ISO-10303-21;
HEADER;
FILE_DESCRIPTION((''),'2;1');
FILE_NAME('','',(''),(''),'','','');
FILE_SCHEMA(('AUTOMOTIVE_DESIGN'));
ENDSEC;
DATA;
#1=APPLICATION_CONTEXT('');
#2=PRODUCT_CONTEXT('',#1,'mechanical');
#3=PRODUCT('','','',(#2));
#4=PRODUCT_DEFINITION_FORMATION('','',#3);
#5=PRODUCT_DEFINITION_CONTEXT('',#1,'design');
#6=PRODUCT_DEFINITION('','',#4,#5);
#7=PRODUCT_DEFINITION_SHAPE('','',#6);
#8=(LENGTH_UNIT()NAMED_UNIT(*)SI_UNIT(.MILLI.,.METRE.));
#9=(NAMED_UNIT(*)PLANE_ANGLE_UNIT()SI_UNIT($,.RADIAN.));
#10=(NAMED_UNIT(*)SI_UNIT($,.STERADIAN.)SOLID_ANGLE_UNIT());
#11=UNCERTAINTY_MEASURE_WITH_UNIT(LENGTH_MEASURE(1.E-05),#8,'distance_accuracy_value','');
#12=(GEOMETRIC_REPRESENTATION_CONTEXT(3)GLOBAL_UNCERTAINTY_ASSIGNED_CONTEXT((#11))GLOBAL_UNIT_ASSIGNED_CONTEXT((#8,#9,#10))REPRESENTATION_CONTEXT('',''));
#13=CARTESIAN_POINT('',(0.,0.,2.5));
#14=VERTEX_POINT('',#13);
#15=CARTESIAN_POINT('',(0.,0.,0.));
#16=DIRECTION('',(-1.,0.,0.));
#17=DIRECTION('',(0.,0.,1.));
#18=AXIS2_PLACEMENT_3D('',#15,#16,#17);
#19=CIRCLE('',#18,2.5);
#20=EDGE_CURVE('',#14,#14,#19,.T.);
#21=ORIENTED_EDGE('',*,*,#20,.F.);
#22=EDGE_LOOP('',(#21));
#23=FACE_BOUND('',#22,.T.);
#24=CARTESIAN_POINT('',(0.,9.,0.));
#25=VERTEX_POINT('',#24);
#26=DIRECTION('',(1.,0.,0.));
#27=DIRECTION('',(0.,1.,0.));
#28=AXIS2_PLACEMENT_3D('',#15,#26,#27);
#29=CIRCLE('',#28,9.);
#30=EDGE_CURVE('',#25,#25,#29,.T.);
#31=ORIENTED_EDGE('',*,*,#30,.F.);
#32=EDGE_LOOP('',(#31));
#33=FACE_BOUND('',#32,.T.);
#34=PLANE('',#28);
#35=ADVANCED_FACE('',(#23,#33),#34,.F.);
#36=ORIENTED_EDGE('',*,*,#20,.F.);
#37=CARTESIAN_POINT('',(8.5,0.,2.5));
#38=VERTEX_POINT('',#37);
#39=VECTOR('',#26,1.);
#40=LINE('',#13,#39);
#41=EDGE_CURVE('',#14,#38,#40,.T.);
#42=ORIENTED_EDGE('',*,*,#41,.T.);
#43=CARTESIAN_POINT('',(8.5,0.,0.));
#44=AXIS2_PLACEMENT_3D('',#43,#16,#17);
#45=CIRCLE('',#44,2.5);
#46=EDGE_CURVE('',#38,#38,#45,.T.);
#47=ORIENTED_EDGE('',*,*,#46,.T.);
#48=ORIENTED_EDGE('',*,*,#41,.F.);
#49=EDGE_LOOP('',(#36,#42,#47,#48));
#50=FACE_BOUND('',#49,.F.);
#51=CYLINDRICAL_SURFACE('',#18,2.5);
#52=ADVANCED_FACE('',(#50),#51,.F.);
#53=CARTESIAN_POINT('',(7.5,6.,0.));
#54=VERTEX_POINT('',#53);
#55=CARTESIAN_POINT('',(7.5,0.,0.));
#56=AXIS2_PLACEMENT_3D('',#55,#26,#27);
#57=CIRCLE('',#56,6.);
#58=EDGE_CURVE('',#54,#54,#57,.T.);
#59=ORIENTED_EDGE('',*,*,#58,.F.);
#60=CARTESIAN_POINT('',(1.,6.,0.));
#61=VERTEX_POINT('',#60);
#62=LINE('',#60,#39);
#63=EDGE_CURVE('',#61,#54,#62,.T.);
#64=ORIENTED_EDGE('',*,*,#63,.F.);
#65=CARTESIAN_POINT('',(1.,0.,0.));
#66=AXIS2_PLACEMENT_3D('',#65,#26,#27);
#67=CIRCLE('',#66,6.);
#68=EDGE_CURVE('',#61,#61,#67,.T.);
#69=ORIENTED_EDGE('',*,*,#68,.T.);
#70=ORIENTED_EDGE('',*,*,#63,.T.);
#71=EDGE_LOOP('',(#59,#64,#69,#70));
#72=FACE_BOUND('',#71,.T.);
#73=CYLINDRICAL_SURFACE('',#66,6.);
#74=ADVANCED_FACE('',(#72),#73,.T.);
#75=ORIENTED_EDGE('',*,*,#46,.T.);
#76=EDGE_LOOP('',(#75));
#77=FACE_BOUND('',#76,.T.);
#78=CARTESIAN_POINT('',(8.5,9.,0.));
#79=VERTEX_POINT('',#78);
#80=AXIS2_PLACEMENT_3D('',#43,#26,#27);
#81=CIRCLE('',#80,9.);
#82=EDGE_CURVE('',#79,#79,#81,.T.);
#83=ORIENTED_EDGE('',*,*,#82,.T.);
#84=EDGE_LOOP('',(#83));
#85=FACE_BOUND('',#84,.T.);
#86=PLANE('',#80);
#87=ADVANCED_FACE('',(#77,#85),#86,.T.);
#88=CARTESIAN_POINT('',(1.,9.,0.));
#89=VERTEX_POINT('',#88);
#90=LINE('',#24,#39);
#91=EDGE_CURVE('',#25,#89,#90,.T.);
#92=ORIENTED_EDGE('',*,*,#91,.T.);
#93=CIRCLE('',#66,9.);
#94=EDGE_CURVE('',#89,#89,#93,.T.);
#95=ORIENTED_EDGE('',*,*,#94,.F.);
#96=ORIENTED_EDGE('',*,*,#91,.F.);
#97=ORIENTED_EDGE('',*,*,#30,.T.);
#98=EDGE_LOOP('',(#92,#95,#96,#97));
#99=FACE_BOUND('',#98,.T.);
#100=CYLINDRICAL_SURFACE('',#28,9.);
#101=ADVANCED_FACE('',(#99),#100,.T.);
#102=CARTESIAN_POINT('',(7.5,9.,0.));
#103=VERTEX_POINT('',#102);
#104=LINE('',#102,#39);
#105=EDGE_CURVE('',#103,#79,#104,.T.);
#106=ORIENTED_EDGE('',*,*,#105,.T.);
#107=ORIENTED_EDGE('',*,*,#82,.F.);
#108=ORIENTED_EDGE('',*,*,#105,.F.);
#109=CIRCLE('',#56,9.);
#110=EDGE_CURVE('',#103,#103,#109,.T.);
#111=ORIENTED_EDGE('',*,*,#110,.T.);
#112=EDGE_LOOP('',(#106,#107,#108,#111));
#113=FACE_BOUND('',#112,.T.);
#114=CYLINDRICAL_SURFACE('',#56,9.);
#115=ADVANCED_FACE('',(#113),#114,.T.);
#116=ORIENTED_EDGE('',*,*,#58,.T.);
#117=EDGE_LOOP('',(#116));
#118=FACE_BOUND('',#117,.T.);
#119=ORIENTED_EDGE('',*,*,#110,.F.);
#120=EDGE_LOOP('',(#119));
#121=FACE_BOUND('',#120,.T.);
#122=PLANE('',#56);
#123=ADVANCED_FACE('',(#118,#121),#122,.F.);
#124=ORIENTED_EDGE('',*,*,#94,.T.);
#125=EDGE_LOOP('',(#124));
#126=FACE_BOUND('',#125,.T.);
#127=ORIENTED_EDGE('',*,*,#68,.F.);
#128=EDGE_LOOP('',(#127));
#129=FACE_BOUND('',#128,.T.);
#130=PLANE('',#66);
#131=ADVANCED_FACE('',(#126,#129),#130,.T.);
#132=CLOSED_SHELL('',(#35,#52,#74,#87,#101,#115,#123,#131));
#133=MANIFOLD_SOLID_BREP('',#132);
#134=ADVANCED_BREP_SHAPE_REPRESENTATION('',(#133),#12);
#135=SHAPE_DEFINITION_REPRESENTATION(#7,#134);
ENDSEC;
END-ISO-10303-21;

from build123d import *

# Parameters (mm, degrees)
SKETCH2_R          = 2.5
CUT_EXTRUDE1_DEPTH = 9.5


with BuildPart() as part:
    # Sketch1 → Revolve1 (revolve)
    with BuildSketch(Plane.XY):
        Polygon((0, 0), (0, 9), (1, 9), (1, 6), (7.5, 6), (7.5, 9), (8.5, 9), (8.5, 0), align=None)
    revolve(axis=Axis((0, 0, 0), (1, 0, 0)))

    # Sketch2 → Cut-Extrude1 (cut, through all)
    with BuildSketch(Plane.ZY):
        Circle(SKETCH2_R)
    extrude(amount=-CUT_EXTRUDE1_DEPTH, mode=Mode.SUBTRACT)


solid = part.part
